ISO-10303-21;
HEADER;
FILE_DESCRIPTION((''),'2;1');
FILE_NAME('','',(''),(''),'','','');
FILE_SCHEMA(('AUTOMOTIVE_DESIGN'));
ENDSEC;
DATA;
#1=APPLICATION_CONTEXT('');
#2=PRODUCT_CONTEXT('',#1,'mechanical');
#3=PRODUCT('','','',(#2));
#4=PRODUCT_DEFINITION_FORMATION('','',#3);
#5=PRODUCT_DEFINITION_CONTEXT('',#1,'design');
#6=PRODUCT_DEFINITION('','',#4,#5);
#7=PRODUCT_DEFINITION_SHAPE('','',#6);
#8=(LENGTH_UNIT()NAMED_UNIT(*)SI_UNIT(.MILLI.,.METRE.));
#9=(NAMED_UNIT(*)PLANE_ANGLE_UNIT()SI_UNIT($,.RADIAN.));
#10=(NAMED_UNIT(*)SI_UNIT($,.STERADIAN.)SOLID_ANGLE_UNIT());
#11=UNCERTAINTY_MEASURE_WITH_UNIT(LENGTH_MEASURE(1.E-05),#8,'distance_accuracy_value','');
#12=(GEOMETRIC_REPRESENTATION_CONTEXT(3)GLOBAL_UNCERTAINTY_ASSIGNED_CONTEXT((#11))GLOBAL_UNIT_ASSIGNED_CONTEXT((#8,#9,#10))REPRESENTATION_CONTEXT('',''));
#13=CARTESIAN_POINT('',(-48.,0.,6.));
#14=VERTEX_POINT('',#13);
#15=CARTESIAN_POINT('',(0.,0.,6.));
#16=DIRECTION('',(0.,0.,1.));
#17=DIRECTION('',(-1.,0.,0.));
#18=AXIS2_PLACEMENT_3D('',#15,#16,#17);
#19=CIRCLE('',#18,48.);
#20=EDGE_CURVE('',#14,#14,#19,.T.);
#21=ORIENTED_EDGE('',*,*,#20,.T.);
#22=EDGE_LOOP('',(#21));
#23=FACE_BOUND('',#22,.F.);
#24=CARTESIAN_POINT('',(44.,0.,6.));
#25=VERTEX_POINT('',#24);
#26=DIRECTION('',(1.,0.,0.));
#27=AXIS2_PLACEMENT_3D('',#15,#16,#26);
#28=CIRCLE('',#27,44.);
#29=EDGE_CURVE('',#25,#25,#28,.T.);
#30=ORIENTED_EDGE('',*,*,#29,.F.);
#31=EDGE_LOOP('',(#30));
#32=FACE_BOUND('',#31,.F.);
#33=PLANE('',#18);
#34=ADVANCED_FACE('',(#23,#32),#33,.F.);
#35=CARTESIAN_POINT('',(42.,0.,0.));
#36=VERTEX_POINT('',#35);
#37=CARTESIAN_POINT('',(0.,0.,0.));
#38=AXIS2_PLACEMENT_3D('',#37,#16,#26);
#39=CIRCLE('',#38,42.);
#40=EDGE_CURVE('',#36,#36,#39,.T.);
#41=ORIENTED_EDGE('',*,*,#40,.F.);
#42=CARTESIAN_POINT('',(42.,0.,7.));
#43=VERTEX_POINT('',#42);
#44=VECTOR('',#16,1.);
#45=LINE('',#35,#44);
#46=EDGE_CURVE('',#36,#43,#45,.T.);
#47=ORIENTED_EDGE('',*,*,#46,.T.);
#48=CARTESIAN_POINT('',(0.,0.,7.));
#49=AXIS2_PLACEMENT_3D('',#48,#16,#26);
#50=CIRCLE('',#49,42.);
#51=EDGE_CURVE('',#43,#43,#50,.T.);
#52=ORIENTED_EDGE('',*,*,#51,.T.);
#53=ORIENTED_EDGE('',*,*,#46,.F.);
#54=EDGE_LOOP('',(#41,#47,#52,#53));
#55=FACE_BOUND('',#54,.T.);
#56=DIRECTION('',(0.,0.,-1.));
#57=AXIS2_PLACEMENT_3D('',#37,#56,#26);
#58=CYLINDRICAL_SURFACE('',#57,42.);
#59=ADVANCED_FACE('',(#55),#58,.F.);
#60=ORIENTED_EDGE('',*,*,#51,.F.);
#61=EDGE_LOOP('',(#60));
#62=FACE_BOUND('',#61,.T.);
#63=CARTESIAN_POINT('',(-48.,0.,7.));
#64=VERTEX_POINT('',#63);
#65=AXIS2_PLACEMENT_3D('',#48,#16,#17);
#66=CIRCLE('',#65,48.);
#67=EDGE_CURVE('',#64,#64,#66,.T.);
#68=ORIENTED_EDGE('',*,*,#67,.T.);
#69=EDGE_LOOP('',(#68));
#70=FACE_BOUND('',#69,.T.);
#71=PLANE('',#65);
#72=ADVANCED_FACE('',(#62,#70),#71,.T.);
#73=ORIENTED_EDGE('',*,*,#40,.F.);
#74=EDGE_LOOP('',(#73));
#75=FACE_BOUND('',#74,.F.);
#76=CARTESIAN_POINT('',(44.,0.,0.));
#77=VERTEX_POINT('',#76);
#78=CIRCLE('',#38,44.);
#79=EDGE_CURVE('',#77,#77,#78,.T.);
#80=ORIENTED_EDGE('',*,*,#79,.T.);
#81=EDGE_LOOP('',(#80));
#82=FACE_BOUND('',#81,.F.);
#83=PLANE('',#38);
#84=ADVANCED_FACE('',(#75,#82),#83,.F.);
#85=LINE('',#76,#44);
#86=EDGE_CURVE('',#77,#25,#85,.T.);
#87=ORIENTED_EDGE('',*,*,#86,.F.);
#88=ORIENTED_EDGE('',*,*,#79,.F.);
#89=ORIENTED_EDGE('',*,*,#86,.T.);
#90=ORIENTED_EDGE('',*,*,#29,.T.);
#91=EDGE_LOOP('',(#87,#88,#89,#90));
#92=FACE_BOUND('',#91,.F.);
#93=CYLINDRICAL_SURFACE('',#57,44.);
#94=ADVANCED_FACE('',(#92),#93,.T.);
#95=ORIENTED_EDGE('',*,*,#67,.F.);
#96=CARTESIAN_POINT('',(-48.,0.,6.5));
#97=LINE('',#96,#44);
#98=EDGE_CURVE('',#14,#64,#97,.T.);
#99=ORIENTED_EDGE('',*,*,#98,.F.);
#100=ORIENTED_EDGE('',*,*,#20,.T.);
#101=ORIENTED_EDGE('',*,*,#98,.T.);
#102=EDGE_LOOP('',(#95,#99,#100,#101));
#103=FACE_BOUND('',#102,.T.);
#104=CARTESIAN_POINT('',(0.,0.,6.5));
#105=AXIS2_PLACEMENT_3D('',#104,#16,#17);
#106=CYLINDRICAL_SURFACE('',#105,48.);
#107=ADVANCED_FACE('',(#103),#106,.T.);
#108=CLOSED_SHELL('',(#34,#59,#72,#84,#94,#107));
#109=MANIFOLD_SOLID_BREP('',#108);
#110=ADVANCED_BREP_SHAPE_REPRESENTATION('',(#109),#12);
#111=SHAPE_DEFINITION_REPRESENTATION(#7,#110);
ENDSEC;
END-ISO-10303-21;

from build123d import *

# Parameters (mm, degrees)
F0_R     = 44
F0_R_2   = 42
F1_DEPTH = 7
F2_W     = 4
F2_H     = 1


with BuildPart() as f1:
    # F0 (on Top) → F1 (new body)
    with BuildSketch(Plane.XY):
        Circle(F0_R)
        Circle(F0_R_2, mode=Mode.SUBTRACT)
    extrude(amount=F1_DEPTH)

    # F2 (on Front) → F3 (revolve)
    with BuildSketch(Plane.XZ):
        with Locations((-46, 6.5)):
            Rectangle(F2_W, F2_H)
    revolve(axis=Axis((0, 0, 17.343897), (0, 0, 1)))


solid = f1.part
